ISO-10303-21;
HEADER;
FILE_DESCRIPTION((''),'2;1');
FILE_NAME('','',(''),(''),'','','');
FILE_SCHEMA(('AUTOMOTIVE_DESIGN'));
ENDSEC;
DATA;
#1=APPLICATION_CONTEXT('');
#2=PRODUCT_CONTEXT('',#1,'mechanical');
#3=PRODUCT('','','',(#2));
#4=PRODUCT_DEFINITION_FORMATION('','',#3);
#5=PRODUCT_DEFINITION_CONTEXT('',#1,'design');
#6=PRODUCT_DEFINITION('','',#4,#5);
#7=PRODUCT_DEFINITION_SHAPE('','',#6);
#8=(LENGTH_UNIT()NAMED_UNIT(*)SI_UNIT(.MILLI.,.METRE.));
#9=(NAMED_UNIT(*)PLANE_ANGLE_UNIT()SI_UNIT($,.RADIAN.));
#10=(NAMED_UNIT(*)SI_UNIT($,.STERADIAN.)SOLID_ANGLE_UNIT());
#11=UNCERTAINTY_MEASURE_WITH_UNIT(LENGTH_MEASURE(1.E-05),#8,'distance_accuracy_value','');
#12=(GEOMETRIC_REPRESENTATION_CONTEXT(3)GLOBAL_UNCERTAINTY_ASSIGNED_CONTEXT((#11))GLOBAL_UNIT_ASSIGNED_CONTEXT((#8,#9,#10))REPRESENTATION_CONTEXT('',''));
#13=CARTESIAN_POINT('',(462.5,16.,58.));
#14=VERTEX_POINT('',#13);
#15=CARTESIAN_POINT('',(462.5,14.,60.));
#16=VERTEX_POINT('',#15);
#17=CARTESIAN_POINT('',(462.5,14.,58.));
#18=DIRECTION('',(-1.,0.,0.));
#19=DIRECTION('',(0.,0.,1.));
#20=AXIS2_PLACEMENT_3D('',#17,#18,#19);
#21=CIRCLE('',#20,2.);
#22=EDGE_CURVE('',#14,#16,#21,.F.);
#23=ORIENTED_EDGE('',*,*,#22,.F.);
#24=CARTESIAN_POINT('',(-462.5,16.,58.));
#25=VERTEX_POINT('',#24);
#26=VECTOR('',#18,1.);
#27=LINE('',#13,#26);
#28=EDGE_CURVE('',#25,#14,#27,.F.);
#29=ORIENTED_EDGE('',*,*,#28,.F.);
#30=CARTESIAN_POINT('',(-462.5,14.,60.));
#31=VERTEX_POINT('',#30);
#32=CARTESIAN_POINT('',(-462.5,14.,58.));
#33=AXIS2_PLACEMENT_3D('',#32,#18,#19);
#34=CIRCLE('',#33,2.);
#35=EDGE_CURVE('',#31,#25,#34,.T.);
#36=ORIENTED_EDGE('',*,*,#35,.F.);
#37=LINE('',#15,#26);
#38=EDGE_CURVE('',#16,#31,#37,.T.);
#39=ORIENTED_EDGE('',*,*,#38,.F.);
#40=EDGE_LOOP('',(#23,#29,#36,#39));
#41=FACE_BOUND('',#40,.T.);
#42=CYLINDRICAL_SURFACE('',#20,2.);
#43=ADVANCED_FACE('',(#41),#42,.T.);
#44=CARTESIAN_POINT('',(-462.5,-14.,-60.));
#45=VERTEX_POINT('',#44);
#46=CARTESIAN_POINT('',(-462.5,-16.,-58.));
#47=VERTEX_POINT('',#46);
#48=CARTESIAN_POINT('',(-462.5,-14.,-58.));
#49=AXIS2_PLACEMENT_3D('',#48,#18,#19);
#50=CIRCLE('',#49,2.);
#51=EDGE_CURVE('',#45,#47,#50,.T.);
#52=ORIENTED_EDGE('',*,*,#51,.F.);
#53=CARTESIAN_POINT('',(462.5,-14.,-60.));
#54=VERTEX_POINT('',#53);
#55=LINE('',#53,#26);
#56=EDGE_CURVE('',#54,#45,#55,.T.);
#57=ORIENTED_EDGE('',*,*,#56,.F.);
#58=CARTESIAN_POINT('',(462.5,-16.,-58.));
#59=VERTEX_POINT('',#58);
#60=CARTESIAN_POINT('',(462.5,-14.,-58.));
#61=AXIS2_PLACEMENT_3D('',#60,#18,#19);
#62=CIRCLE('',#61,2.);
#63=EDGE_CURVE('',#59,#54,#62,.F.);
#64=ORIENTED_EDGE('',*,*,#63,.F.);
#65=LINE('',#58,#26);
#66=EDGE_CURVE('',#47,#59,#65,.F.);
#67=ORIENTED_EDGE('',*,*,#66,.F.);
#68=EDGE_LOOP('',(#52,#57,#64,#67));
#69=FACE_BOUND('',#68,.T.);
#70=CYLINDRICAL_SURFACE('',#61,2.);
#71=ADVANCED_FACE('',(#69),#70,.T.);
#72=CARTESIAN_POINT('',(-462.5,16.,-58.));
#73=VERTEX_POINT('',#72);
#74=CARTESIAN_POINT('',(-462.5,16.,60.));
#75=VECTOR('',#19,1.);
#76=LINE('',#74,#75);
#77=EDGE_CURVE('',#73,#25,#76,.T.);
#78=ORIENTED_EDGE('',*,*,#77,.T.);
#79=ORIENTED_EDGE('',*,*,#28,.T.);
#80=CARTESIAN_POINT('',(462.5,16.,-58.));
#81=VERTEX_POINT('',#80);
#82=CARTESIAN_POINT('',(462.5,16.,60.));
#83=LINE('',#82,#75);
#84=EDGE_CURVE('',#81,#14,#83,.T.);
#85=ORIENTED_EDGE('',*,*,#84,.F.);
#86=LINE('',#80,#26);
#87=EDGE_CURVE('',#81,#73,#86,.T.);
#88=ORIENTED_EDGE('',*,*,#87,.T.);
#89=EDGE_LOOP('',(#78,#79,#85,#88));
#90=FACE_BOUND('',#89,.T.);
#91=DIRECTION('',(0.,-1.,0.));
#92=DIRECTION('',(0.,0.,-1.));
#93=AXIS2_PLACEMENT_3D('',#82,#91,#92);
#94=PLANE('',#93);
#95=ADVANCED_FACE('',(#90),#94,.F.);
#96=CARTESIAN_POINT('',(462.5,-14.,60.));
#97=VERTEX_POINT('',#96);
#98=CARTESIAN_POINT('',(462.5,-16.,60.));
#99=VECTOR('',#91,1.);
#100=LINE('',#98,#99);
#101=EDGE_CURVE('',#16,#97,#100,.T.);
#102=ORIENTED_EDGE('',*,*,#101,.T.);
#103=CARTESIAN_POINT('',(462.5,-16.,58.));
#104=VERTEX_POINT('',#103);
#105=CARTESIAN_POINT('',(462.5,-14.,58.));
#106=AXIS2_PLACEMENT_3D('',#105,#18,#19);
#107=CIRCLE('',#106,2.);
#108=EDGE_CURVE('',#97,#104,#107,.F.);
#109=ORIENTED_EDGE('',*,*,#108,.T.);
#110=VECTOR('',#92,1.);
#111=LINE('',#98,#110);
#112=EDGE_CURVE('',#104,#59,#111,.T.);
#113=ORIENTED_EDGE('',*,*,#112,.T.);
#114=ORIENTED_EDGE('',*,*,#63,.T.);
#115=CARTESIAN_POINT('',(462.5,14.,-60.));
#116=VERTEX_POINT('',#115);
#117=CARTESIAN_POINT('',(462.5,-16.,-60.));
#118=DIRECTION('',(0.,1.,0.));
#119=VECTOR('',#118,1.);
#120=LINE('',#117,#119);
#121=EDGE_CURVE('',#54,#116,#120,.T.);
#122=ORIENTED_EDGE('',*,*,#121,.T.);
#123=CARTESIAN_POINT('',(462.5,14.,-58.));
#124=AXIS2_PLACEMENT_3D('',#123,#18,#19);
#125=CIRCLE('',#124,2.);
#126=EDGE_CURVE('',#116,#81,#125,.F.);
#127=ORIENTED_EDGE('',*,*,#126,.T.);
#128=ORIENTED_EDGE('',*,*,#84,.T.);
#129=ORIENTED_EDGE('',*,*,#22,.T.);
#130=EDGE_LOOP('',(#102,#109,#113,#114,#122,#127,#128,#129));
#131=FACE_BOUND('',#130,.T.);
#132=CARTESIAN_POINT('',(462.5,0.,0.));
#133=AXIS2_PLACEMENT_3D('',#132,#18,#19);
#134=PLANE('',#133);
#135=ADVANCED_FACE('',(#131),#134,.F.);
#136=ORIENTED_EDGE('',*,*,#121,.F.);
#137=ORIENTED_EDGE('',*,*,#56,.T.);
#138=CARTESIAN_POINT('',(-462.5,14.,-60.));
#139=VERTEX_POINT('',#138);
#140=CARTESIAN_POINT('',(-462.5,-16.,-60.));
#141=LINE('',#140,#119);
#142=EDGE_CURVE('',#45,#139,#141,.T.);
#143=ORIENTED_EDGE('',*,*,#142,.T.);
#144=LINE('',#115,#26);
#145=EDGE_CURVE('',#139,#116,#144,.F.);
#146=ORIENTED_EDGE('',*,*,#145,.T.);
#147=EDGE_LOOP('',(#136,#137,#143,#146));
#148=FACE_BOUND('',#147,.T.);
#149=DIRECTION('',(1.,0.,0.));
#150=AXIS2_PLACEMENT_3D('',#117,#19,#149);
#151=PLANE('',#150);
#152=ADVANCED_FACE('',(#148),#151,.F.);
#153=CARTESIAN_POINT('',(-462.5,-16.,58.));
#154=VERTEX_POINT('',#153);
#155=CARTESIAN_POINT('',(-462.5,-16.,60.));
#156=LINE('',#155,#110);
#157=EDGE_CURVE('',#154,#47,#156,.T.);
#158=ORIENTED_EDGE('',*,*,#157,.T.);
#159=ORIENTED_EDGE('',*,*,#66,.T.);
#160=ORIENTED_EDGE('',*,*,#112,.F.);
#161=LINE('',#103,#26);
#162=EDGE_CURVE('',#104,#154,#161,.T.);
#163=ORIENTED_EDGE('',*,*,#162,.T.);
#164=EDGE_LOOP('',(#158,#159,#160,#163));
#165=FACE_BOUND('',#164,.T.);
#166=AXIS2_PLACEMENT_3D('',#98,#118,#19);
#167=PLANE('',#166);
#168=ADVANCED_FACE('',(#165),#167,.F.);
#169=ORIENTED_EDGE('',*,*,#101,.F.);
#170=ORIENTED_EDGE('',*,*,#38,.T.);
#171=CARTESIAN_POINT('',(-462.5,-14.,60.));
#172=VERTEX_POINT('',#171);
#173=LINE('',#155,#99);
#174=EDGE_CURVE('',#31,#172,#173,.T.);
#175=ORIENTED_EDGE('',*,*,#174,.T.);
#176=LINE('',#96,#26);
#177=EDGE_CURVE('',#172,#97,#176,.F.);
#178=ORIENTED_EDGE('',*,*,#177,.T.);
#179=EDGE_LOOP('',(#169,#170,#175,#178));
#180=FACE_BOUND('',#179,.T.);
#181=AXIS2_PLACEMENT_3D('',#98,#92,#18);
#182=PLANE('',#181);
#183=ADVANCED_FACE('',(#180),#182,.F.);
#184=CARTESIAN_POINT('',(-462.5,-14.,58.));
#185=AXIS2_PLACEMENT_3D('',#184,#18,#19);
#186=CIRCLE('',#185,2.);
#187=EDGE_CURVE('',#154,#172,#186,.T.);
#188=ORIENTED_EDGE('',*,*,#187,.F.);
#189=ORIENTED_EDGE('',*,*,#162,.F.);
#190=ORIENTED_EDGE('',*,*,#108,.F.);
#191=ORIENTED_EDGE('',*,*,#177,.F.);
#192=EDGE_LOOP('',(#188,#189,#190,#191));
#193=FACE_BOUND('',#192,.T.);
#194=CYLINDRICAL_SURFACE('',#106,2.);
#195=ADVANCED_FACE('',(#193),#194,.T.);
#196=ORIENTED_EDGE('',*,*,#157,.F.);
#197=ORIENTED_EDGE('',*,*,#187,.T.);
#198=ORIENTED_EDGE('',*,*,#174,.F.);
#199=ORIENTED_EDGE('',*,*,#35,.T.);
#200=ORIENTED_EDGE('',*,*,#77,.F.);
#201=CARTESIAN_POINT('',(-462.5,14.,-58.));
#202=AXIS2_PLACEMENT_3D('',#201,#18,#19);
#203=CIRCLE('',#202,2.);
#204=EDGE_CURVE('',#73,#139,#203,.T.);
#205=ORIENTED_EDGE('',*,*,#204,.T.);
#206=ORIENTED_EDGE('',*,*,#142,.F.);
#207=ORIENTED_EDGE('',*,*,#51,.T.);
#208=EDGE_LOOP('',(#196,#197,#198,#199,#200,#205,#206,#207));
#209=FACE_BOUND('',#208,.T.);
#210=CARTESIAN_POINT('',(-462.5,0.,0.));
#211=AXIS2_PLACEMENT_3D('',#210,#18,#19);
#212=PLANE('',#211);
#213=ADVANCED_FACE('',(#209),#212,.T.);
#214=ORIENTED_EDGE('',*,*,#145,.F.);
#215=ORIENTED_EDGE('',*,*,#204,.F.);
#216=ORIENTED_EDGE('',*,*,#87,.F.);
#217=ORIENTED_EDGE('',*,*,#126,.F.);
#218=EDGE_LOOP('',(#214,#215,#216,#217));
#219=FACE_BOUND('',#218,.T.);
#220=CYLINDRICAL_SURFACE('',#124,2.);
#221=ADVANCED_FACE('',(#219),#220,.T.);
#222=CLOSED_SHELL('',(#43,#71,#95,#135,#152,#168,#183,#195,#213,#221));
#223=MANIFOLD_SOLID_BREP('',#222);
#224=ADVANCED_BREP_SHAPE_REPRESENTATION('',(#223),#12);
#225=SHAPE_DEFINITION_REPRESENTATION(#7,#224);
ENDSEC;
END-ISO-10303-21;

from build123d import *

# Parameters (mm, degrees)
SKETCH2_W           = 120
SKETCH2_H           = 32
BOSS_EXTRUDE1_DEPTH = 462.5
FILLET1_R           = 2


with BuildPart() as part:
    # Sketch2 → Boss-Extrude1 (new, symmetric)
    with BuildSketch(Plane(origin=(0, 0, 0), x_dir=(0, 0, -1), z_dir=(1, 0, 0))):
        Rectangle(SKETCH2_W, SKETCH2_H)
    extrude(amount=BOSS_EXTRUDE1_DEPTH, both=True)

    # Fillet1
    fillet1_edges = [part.edges().sort_by_distance(p)[0] for p in [
        (0, -16, -60),
        (0, -16, 60),
        (0, 16, 60),
        (0, 16, -60),
    ]]
    fillet(fillet1_edges, radius=FILLET1_R)


solid = part.part
